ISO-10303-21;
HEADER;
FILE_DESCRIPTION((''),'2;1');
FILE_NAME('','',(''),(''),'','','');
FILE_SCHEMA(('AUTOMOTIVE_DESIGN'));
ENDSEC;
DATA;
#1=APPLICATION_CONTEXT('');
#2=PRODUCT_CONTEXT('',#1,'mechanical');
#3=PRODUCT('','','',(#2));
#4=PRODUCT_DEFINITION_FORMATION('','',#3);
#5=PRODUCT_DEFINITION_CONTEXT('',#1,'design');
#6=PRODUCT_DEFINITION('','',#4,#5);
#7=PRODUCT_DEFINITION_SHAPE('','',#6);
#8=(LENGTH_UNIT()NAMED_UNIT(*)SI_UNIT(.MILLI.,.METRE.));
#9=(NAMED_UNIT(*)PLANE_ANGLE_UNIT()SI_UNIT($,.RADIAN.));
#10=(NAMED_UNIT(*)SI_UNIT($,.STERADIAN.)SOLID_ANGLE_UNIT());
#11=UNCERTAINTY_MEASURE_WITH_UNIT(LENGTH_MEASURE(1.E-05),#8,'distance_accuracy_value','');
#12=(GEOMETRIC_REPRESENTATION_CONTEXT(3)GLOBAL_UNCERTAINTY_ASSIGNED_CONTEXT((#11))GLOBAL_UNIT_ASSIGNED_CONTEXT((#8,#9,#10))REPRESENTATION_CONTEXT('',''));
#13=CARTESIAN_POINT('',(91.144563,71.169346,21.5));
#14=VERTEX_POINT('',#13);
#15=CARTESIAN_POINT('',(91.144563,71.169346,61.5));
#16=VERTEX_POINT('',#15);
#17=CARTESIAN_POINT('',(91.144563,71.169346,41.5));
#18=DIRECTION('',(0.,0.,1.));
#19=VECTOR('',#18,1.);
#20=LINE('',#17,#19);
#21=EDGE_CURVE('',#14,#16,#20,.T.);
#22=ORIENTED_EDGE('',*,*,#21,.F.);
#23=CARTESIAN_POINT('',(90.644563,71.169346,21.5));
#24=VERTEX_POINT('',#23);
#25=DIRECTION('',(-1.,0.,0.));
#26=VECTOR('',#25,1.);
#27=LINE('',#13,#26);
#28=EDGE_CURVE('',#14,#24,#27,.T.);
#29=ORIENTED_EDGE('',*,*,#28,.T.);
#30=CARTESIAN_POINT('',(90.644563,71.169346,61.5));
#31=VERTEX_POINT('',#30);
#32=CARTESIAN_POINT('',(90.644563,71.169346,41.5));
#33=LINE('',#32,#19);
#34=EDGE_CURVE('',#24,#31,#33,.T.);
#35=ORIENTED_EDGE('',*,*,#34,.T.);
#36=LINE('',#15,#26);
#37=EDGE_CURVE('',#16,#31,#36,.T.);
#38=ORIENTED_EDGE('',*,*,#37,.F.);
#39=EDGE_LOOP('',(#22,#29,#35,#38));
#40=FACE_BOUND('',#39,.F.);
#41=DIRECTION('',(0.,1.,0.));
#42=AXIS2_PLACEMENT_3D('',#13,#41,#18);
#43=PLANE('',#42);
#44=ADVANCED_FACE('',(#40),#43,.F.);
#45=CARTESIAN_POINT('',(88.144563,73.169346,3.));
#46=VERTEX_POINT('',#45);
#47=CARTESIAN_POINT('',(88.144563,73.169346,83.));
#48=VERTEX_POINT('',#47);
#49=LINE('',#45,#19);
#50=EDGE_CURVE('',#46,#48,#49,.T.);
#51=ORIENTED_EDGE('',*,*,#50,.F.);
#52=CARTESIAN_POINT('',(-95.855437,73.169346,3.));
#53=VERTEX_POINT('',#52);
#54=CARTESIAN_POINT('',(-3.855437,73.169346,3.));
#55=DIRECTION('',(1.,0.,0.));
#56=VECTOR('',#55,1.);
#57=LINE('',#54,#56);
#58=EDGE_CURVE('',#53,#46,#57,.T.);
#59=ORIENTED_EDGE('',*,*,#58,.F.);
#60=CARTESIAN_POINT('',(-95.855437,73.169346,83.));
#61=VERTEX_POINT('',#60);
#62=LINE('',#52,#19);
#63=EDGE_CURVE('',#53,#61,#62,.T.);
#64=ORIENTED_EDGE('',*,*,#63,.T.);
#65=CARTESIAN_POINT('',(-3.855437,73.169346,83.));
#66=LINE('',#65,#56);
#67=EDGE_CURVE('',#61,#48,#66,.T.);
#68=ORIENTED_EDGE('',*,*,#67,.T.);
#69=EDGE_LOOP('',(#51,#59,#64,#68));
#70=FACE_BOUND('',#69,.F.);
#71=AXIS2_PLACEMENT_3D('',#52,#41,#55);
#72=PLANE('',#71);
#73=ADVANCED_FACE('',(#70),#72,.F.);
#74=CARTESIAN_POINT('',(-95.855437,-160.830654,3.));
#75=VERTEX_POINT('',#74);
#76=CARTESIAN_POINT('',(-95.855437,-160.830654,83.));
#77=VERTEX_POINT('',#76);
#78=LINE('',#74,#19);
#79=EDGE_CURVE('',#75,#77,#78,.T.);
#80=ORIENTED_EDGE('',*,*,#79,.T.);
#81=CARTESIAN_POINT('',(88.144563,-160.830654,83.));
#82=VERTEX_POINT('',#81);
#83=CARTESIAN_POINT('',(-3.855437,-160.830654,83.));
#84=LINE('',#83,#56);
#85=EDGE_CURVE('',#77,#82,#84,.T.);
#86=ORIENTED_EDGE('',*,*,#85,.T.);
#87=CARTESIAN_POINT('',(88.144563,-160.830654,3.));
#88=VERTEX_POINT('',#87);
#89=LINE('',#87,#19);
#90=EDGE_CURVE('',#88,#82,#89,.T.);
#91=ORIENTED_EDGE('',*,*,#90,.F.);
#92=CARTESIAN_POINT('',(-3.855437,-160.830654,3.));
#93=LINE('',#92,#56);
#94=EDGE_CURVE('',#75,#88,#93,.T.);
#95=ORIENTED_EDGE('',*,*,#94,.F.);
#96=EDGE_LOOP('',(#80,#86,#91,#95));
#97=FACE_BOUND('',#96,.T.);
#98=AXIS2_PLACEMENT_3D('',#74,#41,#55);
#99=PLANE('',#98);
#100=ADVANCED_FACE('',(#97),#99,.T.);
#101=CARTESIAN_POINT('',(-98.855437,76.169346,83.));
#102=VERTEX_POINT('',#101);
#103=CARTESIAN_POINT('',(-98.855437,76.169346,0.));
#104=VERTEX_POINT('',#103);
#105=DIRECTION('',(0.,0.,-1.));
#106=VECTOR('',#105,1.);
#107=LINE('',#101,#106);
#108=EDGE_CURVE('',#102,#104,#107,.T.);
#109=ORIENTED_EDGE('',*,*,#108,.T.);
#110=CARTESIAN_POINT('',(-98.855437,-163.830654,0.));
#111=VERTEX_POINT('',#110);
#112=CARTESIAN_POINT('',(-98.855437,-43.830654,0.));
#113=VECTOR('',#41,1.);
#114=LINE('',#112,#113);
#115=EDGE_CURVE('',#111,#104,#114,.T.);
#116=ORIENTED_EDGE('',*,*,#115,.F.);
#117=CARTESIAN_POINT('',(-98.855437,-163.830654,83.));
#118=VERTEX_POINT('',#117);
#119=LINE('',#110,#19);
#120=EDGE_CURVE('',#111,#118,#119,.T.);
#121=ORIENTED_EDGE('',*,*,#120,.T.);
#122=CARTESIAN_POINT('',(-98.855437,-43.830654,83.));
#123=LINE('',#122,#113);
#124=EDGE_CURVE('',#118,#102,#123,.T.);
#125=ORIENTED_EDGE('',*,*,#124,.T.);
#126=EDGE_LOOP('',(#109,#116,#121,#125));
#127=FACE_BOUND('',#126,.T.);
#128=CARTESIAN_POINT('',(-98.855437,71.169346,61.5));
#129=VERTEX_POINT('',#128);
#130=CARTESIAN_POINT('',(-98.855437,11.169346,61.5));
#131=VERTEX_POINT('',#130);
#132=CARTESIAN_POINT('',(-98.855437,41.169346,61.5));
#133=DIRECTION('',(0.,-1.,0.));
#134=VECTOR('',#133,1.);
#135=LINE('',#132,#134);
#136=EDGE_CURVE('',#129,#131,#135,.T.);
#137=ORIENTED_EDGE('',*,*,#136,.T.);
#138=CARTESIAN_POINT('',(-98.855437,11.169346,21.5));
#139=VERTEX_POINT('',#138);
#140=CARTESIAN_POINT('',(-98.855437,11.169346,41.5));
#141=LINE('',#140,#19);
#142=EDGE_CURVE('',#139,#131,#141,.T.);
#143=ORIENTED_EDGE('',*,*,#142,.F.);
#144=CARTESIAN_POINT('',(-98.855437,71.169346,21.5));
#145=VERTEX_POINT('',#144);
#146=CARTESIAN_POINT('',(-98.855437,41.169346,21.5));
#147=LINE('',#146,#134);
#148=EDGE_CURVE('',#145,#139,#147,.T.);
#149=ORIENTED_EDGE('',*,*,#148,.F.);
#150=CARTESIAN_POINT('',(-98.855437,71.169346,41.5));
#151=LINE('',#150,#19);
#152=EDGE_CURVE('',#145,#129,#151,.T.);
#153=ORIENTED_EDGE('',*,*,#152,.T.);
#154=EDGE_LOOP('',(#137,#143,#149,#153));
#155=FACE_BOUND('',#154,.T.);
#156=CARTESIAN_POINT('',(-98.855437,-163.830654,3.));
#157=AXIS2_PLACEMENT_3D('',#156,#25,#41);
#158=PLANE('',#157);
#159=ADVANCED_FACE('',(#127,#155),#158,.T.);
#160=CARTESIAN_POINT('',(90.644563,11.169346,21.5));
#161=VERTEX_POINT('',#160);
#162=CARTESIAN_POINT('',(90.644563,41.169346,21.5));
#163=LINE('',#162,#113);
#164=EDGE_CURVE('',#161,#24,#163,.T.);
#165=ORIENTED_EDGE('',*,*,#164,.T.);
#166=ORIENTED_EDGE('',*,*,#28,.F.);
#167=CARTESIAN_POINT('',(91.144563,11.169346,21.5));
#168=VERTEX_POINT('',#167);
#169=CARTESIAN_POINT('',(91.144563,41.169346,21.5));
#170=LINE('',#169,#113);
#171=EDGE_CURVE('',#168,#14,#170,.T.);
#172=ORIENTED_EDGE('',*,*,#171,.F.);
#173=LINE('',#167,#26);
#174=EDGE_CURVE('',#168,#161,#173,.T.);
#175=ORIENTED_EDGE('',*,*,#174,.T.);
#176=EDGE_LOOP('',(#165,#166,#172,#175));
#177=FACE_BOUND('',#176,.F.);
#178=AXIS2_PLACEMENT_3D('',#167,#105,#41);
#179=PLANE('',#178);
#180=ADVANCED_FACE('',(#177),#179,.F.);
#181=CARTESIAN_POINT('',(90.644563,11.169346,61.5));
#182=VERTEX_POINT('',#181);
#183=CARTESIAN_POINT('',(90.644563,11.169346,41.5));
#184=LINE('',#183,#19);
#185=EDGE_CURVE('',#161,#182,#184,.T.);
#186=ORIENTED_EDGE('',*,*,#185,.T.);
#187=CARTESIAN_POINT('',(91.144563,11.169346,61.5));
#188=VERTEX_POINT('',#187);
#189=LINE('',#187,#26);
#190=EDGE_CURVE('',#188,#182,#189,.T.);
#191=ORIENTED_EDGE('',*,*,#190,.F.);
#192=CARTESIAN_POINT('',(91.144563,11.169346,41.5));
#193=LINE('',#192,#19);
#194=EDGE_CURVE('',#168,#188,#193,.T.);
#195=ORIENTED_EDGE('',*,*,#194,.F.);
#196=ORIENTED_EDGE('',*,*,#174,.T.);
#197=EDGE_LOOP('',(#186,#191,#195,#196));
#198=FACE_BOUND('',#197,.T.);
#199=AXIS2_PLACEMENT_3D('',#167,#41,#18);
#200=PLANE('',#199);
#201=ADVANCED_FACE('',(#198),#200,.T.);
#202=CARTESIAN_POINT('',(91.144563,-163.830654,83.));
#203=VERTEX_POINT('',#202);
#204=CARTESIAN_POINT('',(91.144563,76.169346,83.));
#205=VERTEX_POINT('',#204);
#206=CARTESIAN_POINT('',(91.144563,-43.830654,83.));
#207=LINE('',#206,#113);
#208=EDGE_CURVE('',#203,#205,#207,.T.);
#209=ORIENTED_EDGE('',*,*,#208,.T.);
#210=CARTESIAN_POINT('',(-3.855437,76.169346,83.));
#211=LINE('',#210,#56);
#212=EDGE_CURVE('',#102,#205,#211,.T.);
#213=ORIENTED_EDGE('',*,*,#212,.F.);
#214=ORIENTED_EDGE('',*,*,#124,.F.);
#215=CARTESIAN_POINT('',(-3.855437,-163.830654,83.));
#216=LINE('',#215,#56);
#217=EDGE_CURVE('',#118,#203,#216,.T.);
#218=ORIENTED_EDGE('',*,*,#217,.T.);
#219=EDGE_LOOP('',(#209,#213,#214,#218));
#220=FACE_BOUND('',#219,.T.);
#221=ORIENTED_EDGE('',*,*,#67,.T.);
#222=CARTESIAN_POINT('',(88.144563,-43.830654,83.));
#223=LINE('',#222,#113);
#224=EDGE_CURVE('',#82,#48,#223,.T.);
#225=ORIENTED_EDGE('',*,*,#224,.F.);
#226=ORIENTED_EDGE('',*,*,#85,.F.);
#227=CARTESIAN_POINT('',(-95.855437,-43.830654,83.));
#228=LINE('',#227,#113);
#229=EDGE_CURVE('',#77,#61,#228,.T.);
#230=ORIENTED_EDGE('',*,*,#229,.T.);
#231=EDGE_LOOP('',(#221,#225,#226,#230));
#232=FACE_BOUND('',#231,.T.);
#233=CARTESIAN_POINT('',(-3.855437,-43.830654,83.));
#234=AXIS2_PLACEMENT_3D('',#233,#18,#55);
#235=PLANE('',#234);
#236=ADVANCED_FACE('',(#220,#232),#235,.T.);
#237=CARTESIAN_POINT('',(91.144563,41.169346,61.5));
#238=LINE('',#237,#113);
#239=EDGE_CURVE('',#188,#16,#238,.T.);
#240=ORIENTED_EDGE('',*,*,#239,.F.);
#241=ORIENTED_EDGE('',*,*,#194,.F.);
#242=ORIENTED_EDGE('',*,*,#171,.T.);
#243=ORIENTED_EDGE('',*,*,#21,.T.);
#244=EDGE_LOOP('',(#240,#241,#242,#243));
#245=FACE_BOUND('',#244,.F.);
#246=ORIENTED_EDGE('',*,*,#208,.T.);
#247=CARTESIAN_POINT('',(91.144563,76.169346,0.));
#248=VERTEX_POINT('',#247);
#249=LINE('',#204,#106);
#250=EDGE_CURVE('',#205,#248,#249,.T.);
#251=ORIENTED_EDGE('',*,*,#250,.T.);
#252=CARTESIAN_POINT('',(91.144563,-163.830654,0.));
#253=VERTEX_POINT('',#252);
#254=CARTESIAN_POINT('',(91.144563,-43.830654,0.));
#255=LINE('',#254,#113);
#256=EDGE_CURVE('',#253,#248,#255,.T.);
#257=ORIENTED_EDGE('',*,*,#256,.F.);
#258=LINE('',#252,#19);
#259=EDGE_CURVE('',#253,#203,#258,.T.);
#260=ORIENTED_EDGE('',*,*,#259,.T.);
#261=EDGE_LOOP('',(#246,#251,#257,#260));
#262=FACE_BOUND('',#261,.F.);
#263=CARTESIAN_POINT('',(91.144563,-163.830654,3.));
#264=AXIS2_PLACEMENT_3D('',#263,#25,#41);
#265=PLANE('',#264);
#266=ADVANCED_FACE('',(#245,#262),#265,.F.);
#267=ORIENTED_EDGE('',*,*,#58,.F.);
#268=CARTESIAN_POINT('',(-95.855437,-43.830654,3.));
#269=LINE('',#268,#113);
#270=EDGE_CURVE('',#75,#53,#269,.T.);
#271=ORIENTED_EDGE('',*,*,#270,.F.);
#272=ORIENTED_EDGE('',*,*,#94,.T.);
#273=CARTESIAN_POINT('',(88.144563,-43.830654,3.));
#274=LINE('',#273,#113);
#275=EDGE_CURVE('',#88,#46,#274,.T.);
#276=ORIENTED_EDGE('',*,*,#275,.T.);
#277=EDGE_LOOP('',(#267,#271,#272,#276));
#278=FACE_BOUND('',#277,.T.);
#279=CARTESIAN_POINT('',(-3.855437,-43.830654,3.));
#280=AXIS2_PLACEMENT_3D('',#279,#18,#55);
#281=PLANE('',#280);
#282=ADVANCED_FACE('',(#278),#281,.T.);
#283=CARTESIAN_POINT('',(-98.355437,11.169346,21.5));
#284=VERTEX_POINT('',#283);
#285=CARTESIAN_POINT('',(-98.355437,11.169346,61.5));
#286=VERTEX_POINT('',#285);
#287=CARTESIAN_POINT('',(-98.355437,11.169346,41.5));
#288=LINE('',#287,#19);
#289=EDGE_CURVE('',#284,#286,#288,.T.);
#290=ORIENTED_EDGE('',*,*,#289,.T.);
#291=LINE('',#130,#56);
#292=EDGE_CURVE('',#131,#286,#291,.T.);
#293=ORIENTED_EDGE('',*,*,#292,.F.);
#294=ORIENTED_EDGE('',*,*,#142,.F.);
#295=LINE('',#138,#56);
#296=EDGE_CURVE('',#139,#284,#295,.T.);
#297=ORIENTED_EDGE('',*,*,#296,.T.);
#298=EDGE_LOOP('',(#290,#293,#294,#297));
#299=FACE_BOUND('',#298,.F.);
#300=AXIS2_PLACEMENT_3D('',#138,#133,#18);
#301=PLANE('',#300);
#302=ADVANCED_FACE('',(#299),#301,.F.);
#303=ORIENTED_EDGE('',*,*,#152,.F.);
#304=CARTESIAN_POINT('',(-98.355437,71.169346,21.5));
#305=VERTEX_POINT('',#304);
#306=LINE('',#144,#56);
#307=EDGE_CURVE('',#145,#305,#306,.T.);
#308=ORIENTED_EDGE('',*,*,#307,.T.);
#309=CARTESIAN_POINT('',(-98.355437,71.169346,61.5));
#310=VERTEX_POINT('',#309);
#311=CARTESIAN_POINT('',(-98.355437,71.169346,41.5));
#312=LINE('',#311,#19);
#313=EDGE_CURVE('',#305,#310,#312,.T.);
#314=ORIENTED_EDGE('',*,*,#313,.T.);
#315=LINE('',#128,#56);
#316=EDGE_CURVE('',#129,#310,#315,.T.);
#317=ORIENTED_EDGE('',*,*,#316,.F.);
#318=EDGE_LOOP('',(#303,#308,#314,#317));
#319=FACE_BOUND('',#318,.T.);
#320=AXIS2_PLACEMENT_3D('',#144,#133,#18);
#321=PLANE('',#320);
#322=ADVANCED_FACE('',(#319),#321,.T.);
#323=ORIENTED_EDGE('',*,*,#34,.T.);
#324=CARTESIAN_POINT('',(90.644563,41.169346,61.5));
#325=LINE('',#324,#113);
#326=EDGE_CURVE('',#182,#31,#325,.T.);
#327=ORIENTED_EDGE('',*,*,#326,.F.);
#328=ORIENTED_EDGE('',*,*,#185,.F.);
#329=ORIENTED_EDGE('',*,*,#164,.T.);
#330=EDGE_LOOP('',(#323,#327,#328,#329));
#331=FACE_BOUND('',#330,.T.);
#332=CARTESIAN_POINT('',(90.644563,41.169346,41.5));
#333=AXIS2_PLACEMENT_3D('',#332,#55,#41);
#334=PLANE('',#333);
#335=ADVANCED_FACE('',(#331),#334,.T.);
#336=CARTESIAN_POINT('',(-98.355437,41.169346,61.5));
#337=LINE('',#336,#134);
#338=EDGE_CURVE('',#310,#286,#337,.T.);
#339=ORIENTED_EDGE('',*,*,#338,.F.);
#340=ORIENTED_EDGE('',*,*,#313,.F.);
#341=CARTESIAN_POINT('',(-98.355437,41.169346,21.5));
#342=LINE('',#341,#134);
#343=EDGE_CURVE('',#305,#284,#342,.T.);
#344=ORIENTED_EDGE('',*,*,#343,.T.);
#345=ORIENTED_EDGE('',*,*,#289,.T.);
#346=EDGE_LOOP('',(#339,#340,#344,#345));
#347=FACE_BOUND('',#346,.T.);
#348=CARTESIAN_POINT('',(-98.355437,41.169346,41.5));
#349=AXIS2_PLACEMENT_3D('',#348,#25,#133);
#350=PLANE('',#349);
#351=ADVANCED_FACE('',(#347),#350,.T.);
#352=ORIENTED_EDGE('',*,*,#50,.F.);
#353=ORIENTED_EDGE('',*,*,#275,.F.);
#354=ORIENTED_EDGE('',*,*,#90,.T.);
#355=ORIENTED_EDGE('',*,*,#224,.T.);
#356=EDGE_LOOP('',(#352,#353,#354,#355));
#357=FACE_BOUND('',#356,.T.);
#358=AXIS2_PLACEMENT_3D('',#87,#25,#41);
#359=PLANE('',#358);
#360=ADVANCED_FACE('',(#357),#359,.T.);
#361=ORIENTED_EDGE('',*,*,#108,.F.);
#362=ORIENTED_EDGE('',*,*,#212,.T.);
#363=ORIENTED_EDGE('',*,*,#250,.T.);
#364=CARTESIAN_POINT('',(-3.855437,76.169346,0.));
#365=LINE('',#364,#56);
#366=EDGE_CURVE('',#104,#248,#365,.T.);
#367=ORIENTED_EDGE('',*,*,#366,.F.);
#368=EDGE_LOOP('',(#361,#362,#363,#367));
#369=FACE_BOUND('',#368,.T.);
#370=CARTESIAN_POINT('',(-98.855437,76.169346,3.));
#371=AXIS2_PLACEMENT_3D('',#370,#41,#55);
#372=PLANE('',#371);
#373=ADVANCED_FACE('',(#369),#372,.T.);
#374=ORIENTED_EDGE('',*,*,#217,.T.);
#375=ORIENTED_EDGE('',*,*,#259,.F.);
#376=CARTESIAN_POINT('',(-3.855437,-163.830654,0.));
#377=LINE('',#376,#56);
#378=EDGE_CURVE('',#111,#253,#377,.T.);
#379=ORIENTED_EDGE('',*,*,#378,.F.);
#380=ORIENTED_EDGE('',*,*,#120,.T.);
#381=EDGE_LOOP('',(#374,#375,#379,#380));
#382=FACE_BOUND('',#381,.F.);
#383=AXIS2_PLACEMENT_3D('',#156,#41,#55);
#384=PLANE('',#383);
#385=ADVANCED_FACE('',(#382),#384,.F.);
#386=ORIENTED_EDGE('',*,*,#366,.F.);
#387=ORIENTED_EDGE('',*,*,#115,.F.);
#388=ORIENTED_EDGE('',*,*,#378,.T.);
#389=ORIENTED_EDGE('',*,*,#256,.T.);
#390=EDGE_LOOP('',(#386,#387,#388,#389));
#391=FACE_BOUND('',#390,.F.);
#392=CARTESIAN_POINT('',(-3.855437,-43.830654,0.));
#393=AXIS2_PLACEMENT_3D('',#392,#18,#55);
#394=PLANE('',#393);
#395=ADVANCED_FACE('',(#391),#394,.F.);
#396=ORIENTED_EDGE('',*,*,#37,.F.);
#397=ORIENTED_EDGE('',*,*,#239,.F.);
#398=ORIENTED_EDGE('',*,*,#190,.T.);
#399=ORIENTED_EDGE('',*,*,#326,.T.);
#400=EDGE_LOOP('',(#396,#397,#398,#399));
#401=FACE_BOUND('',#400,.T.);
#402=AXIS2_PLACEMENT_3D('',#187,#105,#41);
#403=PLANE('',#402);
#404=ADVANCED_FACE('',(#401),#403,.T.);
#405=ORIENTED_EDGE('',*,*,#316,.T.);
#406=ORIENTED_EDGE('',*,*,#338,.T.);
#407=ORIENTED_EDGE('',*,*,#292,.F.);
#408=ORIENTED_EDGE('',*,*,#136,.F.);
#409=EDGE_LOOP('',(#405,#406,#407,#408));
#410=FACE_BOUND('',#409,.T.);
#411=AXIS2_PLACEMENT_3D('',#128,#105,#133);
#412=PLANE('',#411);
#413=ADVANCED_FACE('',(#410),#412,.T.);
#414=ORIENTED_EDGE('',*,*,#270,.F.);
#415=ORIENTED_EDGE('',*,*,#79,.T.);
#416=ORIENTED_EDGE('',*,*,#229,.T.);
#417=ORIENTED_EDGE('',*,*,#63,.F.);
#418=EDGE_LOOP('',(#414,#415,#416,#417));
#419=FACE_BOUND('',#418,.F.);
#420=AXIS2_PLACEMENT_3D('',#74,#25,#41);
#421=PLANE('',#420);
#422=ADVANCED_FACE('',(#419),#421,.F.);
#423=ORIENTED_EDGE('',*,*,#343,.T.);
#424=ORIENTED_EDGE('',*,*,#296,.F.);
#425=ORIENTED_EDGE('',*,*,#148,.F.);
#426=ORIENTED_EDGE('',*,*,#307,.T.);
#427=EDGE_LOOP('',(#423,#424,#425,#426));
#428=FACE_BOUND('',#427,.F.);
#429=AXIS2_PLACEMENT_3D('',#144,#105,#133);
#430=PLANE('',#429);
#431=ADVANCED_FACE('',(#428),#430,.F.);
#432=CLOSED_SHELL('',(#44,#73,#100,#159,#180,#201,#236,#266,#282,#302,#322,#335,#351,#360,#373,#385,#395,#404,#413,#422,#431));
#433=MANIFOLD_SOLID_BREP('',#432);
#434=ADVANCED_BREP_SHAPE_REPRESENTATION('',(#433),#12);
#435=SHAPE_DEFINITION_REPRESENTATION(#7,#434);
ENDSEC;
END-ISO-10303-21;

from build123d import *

# Parameters (mm, degrees)
F0_W     = 190
F0_H     = 240
F1_DEPTH = 3
F2_W     = 190
F2_H     = 240
F2_W_2   = 184
F2_H_2   = 234
F3_DEPTH = 80
F4_W     = 60
F4_H     = 40
F5_DEPTH = 0.5
F6_W     = 60
F6_H     = 40
F7_DEPTH = 0.5


with BuildPart() as f1:
    # F0 (on Top) → F1 (new body)
    with BuildSketch(Plane.XY):
        with Locations((-3.855437, -43.830654)):
            Rectangle(F0_W, F0_H)
    extrude(amount=F1_DEPTH)

    # F2 (on face) → F3 (join)
    with BuildSketch(Plane.XY.offset(3)):
        with Locations((-3.855437, -43.830654)):
            Rectangle(F2_W, F2_H)
        with Locations((-3.855437, -43.830654)):
            Rectangle(F2_W_2, F2_H_2, mode=Mode.SUBTRACT)
    extrude(amount=F3_DEPTH)

    # F4 (on face) → F5 (cut)
    with BuildSketch(Plane(origin=(-98.855437, 0, 0), x_dir=(0, -1, 0), z_dir=(-1, 0, 0))):
        with Locations((-41.169346, 41.5)):
            Rectangle(F4_W, F4_H)
    extrude(amount=-F5_DEPTH, mode=Mode.SUBTRACT)

    # F6 (on face) → F7 (cut)
    with BuildSketch(Plane.YZ.offset(91.144563)):
        with Locations((41.169346, 41.5)):
            Rectangle(F6_W, F6_H)
    extrude(amount=-F7_DEPTH, mode=Mode.SUBTRACT)


solid = f1.part
